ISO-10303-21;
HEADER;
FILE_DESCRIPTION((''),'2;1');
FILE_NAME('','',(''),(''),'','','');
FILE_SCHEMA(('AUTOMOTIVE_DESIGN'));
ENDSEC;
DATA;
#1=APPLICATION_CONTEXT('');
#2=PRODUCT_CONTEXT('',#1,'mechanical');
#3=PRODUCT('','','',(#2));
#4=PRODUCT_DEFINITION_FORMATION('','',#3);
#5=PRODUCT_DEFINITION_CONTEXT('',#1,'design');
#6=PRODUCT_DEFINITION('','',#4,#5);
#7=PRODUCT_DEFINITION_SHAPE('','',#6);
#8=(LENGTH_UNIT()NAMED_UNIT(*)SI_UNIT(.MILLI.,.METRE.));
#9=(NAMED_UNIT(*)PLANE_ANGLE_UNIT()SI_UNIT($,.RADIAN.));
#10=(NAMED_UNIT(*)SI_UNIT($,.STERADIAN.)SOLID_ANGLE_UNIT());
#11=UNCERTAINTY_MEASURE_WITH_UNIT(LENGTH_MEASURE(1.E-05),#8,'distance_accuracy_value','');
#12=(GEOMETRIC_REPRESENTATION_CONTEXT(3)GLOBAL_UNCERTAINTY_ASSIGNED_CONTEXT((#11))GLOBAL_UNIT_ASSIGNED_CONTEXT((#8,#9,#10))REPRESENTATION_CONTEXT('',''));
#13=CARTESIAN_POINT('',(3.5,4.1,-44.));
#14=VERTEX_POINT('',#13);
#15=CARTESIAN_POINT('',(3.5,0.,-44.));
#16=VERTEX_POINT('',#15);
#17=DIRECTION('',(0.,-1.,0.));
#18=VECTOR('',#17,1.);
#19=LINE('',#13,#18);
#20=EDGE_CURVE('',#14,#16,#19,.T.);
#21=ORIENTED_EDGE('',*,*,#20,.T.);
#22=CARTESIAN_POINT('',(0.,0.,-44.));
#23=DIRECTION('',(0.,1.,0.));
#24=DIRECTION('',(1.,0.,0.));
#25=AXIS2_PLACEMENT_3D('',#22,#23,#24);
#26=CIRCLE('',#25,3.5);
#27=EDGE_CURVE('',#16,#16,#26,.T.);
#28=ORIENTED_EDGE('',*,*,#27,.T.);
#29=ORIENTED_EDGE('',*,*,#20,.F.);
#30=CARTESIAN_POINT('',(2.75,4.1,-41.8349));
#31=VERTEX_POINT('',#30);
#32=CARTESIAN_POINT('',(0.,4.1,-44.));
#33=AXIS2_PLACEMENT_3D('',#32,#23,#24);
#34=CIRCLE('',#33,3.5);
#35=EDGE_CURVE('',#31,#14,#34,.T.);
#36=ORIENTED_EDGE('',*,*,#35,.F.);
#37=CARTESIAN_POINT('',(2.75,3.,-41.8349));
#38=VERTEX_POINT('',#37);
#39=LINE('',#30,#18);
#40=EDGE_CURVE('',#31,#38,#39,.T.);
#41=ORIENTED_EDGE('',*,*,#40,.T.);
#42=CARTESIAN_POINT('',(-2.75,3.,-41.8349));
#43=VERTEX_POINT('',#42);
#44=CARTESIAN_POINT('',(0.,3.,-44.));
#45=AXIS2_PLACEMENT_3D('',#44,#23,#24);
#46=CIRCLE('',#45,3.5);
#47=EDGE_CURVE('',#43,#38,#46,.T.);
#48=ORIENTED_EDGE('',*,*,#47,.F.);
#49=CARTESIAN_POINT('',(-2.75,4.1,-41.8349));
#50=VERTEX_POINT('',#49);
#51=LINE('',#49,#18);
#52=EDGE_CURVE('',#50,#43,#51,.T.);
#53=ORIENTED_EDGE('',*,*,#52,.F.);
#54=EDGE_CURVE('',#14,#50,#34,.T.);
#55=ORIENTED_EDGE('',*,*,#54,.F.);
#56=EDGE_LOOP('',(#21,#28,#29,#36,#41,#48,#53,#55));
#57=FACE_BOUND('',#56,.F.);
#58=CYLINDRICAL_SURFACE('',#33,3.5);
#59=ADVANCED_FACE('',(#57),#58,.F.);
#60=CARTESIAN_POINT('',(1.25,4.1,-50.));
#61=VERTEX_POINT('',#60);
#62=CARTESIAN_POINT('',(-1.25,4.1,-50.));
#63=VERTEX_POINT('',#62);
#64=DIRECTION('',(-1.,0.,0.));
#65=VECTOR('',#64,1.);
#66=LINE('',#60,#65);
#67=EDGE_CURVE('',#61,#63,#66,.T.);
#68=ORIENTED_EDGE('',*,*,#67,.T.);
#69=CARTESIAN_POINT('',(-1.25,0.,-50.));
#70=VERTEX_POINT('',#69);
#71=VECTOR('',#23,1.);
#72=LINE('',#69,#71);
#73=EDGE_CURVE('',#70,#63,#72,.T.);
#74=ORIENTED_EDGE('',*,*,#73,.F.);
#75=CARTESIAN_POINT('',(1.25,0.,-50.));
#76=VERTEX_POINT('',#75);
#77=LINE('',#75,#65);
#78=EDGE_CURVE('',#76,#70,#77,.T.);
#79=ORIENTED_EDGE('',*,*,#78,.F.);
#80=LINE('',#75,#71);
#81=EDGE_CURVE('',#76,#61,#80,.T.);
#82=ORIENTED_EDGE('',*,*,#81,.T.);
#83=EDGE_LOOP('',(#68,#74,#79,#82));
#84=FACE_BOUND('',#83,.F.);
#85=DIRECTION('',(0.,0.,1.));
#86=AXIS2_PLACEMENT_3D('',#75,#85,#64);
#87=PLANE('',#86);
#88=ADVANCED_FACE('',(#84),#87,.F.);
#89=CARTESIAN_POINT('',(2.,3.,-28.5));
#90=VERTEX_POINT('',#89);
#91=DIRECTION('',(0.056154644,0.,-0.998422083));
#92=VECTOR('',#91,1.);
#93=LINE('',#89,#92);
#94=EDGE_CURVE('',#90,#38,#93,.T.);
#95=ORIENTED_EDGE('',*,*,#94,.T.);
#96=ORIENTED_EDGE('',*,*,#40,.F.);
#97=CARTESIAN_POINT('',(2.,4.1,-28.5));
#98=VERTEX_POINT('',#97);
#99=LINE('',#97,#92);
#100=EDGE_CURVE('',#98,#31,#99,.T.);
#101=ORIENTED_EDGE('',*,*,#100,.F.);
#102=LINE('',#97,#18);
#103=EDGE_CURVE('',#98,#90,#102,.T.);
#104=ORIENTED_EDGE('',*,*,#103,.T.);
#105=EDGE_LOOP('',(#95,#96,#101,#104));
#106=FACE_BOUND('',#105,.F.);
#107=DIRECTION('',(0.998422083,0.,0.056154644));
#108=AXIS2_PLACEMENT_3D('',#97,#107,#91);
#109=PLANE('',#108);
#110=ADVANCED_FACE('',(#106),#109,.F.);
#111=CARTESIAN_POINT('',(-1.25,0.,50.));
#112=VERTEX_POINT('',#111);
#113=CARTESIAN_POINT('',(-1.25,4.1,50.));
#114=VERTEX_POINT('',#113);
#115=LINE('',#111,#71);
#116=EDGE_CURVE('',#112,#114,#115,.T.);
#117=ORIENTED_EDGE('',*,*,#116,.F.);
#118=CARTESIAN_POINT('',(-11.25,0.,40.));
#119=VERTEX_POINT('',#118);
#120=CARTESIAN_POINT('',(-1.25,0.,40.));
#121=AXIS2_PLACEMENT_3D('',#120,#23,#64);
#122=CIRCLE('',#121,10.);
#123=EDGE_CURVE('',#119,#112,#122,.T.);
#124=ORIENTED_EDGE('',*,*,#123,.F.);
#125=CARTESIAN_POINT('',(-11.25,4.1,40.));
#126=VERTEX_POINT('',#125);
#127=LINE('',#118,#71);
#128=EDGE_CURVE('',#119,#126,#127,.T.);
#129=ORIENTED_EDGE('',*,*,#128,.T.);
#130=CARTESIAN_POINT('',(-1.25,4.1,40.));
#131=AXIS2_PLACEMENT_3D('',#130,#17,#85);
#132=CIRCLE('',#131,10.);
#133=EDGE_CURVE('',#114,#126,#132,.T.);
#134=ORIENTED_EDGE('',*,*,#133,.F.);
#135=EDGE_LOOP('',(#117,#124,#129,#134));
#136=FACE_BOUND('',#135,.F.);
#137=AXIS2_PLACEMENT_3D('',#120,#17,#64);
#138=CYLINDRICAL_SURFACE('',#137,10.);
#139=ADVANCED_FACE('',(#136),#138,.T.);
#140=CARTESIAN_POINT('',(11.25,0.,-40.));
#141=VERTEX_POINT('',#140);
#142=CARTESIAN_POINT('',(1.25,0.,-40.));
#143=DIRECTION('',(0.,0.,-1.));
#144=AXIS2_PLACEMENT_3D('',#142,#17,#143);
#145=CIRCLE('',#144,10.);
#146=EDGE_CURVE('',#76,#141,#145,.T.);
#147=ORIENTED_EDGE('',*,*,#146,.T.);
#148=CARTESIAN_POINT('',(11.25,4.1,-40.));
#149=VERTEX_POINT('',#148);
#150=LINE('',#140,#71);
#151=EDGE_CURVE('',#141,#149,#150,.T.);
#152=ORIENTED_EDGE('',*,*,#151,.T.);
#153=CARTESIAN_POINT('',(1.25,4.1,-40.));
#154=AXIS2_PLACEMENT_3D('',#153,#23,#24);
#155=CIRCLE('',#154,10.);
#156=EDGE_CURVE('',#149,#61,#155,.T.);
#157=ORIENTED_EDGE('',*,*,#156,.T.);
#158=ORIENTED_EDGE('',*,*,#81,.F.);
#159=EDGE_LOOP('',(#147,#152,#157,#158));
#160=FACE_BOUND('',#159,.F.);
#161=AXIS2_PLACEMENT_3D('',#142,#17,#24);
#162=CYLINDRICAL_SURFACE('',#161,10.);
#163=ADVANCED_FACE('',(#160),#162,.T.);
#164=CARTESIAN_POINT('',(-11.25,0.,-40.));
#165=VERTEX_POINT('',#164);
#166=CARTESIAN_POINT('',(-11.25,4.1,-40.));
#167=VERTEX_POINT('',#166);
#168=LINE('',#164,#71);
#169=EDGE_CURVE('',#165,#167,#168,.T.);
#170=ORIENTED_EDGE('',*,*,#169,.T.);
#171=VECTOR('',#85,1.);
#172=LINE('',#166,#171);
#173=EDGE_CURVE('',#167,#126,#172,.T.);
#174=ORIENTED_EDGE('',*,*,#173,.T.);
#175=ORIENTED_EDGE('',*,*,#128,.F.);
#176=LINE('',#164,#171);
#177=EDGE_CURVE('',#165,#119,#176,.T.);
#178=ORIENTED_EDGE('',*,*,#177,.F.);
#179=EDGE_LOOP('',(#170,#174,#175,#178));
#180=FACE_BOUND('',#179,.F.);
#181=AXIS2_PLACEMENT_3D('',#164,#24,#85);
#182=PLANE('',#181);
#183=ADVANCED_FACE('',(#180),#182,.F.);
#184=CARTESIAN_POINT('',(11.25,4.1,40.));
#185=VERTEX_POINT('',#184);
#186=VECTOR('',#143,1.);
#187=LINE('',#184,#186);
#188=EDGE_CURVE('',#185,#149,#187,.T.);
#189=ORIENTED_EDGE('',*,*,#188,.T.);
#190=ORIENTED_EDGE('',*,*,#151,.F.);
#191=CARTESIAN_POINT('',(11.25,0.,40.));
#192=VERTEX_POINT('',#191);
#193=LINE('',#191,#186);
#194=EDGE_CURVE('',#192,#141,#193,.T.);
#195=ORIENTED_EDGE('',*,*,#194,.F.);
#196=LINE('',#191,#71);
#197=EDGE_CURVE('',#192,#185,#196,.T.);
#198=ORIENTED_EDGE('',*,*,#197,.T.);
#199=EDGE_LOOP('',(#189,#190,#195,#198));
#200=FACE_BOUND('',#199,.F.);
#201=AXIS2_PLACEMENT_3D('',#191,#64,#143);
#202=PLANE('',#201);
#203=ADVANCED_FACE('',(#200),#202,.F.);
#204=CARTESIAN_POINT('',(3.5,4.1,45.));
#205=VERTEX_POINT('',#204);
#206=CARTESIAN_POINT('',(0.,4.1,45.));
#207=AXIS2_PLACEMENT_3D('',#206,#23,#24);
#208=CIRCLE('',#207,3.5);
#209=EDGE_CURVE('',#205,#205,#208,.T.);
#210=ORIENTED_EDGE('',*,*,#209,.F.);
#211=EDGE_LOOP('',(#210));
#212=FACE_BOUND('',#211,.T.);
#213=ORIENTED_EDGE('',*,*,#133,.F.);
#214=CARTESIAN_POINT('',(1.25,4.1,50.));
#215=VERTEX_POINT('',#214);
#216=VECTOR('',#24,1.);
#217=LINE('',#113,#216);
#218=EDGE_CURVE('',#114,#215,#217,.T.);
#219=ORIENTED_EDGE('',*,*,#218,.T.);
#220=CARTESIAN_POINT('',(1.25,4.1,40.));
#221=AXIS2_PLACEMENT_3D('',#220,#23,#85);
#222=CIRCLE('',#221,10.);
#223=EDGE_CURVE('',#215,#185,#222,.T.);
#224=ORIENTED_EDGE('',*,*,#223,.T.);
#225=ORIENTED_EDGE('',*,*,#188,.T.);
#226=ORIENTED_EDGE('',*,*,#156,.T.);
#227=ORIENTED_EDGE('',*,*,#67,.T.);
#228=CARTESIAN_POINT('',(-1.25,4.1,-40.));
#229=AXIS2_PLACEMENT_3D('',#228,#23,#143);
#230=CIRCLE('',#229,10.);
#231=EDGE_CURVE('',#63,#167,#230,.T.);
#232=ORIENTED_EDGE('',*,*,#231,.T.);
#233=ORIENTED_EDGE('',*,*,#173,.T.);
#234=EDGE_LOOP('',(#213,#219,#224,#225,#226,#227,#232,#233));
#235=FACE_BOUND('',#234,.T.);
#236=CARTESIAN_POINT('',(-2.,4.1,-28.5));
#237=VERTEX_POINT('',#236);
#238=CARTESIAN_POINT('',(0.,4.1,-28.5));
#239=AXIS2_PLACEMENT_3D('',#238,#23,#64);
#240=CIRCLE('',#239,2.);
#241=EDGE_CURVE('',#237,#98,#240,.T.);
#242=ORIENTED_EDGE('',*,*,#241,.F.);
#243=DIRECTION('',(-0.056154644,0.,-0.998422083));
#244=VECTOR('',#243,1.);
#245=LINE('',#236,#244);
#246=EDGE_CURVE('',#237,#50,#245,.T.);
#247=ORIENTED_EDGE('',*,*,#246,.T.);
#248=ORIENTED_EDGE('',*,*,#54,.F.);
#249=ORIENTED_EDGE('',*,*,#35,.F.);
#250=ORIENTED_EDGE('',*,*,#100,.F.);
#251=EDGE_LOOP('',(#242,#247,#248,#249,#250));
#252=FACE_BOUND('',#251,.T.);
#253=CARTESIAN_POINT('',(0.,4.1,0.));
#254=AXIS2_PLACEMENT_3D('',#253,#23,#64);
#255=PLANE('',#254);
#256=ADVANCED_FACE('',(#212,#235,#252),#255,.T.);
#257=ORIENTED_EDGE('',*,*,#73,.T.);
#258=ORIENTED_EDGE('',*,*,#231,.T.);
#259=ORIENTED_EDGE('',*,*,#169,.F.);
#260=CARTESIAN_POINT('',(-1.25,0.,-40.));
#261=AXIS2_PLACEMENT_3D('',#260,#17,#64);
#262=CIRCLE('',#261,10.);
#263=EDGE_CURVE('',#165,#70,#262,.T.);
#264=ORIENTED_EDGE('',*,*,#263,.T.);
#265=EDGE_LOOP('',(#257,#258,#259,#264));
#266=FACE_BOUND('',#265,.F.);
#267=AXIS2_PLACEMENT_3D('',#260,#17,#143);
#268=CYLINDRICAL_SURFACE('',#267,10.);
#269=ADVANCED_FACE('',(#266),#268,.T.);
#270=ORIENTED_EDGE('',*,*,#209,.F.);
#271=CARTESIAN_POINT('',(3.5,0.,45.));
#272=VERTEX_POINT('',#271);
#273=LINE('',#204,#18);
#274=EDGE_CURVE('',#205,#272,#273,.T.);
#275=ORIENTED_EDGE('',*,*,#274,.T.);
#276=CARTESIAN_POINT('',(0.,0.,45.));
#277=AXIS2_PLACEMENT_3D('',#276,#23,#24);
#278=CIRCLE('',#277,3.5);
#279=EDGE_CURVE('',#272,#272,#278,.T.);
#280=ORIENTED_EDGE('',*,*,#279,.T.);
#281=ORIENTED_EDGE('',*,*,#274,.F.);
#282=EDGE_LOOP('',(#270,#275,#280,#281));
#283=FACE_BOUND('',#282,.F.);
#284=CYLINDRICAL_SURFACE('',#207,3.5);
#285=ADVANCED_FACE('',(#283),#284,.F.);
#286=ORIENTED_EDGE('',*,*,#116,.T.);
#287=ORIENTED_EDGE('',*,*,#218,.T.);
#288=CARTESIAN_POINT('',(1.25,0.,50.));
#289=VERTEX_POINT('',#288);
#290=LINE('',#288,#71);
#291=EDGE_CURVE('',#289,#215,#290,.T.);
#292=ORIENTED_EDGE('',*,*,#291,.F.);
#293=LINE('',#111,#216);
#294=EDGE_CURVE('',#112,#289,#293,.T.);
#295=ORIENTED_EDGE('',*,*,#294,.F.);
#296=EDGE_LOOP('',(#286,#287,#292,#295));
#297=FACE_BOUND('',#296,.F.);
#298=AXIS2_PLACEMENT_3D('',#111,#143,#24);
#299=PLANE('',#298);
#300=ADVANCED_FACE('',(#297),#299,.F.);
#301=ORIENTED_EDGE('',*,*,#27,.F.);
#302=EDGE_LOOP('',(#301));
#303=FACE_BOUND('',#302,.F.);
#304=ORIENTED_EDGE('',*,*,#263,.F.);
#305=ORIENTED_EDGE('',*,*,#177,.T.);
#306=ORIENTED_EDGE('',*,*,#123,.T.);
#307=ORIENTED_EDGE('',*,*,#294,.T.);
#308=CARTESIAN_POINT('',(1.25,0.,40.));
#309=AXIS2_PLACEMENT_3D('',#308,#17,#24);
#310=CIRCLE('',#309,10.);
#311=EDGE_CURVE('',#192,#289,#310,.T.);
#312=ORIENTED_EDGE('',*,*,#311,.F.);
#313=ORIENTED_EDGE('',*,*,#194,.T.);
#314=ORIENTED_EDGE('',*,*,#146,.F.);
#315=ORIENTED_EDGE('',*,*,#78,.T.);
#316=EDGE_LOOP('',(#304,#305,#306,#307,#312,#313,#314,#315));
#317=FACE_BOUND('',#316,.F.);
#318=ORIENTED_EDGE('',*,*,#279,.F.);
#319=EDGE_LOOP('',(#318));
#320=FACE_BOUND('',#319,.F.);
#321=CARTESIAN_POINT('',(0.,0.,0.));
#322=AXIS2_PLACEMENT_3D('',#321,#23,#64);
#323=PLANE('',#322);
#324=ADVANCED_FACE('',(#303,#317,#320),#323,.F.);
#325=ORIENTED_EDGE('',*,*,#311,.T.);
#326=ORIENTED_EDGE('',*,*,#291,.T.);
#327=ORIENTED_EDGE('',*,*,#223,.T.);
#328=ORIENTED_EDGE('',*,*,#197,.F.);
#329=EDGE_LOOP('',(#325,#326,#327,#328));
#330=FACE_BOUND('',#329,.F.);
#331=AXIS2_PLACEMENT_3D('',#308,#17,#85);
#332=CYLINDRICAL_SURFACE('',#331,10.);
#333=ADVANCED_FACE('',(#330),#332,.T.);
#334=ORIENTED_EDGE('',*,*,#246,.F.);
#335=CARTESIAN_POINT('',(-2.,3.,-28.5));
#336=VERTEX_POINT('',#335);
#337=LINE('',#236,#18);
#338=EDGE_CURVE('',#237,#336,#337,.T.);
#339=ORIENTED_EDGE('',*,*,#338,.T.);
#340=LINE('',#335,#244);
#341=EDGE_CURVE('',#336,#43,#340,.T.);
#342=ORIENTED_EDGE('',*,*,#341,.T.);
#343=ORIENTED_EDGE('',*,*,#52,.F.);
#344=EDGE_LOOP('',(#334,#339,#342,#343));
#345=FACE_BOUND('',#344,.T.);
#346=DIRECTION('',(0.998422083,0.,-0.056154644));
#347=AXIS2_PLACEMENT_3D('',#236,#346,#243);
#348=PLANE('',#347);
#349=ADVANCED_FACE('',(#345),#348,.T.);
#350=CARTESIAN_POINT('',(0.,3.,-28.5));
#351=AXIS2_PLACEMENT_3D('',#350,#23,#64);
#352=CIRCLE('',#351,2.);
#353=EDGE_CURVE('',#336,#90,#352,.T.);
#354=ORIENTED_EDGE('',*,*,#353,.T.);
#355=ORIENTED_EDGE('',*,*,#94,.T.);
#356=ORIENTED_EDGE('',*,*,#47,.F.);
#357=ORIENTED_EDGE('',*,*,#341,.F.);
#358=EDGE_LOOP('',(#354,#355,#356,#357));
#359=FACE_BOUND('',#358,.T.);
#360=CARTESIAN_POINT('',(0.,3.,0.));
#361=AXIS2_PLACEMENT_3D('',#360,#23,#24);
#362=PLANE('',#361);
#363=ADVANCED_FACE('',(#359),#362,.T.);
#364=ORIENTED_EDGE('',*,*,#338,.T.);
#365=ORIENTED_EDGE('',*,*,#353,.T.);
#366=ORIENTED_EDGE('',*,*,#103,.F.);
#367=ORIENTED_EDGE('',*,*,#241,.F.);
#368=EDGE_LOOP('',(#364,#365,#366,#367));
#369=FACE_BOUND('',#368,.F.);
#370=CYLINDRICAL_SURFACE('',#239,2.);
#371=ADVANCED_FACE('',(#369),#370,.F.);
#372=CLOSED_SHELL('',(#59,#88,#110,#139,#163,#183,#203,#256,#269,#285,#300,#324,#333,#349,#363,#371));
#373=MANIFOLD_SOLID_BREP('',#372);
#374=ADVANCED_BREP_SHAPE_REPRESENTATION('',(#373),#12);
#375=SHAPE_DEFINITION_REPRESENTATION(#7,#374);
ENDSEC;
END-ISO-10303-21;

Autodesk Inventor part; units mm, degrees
ref_plane "YZ Plane" through (0, 0, 0) normal (1, 0, 0) x (0, 1, 0)
ref_plane "XZ Plane" through (0, 0, 0) normal (0, 1, 0) x (-1, 0, 0)
ref_plane "XY Plane" through (0, 0, 0) normal (0, 0, 1) x (1, 0, 0)
sketch "Szkic1" plane through (0, 0, 0) normal (0, 1, 0) x (-1, 0, 0)
  line L0 (1.25, 50) -> (-1.25, 50)
  line L1 (-11.25, 40) -> (-11.25, -40)
  line L2 (-1.25, -50) -> (1.25, -50)
  line L3 (11.25, -40) -> (11.25, 40)
  line L4 (11.25, 50) -> (-11.25, -50)
  line L5 (11.25, -50) -> (-11.25, 50)
  arc A0 (11.25, 40) -> (1.25, 50) centre (1.25, 40) ccw
  arc A1 (-1.25, 50) -> (-11.25, 40) centre (-1.25, 40) ccw
  arc A2 (1.25, -50) -> (11.25, -40) centre (1.25, -40) ccw
  arc A3 (-11.25, -40) -> (-1.25, -50) centre (-1.25, -40) ccw
  point P0 (0, 0)
  point P1 (0, 0)
  dimension "d0" = 22.5
  dimension "d1" = 100
  dimension "d2" = 10
extrude "Wyciągnięcie proste1" add sketch "Szkic1" along normal blind 4.1
sketch "Szkic2" plane through (0, 4.1, 0) normal (0, 1, 0) x (1, 0, 0)
  circle A0 centre (0, 44) radius 3.5
  line L0 (1.25, 50) -> (-1.25, 50) projected
  point P0 (0, 0)
  point P1 (0, 50)
  dimension "d5" = 7
  dimension "d14" = 6
extrude "Wyciągnięcie proste2" cut sketch "Szkic2" against normal blind 8
sketch "Szkic3" plane through (0, 4.1, 0) normal (0, 1, 0) x (1, 0, 0)
  line L0 (0, 47.5) -> (0, 28.5)
  arc A0 (-2, 28.5) -> (2, 28.5) centre (0, 28.5) ccw
  line L1 (-2.75, 41.8349) -> (0, 41.8349)
  line L2 (1.25, 50) -> (-1.25, 50) projected
  line L3 (-2, 28.5) -> (-2.75, 41.8349)
  line L4 (2, 28.5) -> (2.75, 41.8349)
  line L5 (0, 41.8349) -> (2.75, 41.8349)
  circle A1 centre (0, 44) radius 3.5 projected
  point P0 (0, 0)
  point P1 (0, 50)
  dimension "d8" = 19
  dimension "d10" = 5.5
extrude "Wyciągnięcie proste3" cut sketch "Szkic3" against normal blind 1.1 contours L5 A1 L0 | L0 A1 L1 | A1 L4 A0 L3 picked at (1.6483, 41.6479) picked at (-1.6483, 41.6479)
sketch "Szkic4" plane through (0, 4.1, 0) normal (0, 1, 0) x (1, 0, 0)
  circle A0 centre (0, -45) radius 3.5
  line L0 (-1.25, -50) -> (1.25, -50) projected
  point P0 (0, 0)
  point P1 (0, -50)
  dimension "d15" = 7
  dimension "d16" = 5
extrude "Wyciągnięcie proste4" cut sketch "Szkic4" against normal blind 10
properties part number "arm_big_part"
